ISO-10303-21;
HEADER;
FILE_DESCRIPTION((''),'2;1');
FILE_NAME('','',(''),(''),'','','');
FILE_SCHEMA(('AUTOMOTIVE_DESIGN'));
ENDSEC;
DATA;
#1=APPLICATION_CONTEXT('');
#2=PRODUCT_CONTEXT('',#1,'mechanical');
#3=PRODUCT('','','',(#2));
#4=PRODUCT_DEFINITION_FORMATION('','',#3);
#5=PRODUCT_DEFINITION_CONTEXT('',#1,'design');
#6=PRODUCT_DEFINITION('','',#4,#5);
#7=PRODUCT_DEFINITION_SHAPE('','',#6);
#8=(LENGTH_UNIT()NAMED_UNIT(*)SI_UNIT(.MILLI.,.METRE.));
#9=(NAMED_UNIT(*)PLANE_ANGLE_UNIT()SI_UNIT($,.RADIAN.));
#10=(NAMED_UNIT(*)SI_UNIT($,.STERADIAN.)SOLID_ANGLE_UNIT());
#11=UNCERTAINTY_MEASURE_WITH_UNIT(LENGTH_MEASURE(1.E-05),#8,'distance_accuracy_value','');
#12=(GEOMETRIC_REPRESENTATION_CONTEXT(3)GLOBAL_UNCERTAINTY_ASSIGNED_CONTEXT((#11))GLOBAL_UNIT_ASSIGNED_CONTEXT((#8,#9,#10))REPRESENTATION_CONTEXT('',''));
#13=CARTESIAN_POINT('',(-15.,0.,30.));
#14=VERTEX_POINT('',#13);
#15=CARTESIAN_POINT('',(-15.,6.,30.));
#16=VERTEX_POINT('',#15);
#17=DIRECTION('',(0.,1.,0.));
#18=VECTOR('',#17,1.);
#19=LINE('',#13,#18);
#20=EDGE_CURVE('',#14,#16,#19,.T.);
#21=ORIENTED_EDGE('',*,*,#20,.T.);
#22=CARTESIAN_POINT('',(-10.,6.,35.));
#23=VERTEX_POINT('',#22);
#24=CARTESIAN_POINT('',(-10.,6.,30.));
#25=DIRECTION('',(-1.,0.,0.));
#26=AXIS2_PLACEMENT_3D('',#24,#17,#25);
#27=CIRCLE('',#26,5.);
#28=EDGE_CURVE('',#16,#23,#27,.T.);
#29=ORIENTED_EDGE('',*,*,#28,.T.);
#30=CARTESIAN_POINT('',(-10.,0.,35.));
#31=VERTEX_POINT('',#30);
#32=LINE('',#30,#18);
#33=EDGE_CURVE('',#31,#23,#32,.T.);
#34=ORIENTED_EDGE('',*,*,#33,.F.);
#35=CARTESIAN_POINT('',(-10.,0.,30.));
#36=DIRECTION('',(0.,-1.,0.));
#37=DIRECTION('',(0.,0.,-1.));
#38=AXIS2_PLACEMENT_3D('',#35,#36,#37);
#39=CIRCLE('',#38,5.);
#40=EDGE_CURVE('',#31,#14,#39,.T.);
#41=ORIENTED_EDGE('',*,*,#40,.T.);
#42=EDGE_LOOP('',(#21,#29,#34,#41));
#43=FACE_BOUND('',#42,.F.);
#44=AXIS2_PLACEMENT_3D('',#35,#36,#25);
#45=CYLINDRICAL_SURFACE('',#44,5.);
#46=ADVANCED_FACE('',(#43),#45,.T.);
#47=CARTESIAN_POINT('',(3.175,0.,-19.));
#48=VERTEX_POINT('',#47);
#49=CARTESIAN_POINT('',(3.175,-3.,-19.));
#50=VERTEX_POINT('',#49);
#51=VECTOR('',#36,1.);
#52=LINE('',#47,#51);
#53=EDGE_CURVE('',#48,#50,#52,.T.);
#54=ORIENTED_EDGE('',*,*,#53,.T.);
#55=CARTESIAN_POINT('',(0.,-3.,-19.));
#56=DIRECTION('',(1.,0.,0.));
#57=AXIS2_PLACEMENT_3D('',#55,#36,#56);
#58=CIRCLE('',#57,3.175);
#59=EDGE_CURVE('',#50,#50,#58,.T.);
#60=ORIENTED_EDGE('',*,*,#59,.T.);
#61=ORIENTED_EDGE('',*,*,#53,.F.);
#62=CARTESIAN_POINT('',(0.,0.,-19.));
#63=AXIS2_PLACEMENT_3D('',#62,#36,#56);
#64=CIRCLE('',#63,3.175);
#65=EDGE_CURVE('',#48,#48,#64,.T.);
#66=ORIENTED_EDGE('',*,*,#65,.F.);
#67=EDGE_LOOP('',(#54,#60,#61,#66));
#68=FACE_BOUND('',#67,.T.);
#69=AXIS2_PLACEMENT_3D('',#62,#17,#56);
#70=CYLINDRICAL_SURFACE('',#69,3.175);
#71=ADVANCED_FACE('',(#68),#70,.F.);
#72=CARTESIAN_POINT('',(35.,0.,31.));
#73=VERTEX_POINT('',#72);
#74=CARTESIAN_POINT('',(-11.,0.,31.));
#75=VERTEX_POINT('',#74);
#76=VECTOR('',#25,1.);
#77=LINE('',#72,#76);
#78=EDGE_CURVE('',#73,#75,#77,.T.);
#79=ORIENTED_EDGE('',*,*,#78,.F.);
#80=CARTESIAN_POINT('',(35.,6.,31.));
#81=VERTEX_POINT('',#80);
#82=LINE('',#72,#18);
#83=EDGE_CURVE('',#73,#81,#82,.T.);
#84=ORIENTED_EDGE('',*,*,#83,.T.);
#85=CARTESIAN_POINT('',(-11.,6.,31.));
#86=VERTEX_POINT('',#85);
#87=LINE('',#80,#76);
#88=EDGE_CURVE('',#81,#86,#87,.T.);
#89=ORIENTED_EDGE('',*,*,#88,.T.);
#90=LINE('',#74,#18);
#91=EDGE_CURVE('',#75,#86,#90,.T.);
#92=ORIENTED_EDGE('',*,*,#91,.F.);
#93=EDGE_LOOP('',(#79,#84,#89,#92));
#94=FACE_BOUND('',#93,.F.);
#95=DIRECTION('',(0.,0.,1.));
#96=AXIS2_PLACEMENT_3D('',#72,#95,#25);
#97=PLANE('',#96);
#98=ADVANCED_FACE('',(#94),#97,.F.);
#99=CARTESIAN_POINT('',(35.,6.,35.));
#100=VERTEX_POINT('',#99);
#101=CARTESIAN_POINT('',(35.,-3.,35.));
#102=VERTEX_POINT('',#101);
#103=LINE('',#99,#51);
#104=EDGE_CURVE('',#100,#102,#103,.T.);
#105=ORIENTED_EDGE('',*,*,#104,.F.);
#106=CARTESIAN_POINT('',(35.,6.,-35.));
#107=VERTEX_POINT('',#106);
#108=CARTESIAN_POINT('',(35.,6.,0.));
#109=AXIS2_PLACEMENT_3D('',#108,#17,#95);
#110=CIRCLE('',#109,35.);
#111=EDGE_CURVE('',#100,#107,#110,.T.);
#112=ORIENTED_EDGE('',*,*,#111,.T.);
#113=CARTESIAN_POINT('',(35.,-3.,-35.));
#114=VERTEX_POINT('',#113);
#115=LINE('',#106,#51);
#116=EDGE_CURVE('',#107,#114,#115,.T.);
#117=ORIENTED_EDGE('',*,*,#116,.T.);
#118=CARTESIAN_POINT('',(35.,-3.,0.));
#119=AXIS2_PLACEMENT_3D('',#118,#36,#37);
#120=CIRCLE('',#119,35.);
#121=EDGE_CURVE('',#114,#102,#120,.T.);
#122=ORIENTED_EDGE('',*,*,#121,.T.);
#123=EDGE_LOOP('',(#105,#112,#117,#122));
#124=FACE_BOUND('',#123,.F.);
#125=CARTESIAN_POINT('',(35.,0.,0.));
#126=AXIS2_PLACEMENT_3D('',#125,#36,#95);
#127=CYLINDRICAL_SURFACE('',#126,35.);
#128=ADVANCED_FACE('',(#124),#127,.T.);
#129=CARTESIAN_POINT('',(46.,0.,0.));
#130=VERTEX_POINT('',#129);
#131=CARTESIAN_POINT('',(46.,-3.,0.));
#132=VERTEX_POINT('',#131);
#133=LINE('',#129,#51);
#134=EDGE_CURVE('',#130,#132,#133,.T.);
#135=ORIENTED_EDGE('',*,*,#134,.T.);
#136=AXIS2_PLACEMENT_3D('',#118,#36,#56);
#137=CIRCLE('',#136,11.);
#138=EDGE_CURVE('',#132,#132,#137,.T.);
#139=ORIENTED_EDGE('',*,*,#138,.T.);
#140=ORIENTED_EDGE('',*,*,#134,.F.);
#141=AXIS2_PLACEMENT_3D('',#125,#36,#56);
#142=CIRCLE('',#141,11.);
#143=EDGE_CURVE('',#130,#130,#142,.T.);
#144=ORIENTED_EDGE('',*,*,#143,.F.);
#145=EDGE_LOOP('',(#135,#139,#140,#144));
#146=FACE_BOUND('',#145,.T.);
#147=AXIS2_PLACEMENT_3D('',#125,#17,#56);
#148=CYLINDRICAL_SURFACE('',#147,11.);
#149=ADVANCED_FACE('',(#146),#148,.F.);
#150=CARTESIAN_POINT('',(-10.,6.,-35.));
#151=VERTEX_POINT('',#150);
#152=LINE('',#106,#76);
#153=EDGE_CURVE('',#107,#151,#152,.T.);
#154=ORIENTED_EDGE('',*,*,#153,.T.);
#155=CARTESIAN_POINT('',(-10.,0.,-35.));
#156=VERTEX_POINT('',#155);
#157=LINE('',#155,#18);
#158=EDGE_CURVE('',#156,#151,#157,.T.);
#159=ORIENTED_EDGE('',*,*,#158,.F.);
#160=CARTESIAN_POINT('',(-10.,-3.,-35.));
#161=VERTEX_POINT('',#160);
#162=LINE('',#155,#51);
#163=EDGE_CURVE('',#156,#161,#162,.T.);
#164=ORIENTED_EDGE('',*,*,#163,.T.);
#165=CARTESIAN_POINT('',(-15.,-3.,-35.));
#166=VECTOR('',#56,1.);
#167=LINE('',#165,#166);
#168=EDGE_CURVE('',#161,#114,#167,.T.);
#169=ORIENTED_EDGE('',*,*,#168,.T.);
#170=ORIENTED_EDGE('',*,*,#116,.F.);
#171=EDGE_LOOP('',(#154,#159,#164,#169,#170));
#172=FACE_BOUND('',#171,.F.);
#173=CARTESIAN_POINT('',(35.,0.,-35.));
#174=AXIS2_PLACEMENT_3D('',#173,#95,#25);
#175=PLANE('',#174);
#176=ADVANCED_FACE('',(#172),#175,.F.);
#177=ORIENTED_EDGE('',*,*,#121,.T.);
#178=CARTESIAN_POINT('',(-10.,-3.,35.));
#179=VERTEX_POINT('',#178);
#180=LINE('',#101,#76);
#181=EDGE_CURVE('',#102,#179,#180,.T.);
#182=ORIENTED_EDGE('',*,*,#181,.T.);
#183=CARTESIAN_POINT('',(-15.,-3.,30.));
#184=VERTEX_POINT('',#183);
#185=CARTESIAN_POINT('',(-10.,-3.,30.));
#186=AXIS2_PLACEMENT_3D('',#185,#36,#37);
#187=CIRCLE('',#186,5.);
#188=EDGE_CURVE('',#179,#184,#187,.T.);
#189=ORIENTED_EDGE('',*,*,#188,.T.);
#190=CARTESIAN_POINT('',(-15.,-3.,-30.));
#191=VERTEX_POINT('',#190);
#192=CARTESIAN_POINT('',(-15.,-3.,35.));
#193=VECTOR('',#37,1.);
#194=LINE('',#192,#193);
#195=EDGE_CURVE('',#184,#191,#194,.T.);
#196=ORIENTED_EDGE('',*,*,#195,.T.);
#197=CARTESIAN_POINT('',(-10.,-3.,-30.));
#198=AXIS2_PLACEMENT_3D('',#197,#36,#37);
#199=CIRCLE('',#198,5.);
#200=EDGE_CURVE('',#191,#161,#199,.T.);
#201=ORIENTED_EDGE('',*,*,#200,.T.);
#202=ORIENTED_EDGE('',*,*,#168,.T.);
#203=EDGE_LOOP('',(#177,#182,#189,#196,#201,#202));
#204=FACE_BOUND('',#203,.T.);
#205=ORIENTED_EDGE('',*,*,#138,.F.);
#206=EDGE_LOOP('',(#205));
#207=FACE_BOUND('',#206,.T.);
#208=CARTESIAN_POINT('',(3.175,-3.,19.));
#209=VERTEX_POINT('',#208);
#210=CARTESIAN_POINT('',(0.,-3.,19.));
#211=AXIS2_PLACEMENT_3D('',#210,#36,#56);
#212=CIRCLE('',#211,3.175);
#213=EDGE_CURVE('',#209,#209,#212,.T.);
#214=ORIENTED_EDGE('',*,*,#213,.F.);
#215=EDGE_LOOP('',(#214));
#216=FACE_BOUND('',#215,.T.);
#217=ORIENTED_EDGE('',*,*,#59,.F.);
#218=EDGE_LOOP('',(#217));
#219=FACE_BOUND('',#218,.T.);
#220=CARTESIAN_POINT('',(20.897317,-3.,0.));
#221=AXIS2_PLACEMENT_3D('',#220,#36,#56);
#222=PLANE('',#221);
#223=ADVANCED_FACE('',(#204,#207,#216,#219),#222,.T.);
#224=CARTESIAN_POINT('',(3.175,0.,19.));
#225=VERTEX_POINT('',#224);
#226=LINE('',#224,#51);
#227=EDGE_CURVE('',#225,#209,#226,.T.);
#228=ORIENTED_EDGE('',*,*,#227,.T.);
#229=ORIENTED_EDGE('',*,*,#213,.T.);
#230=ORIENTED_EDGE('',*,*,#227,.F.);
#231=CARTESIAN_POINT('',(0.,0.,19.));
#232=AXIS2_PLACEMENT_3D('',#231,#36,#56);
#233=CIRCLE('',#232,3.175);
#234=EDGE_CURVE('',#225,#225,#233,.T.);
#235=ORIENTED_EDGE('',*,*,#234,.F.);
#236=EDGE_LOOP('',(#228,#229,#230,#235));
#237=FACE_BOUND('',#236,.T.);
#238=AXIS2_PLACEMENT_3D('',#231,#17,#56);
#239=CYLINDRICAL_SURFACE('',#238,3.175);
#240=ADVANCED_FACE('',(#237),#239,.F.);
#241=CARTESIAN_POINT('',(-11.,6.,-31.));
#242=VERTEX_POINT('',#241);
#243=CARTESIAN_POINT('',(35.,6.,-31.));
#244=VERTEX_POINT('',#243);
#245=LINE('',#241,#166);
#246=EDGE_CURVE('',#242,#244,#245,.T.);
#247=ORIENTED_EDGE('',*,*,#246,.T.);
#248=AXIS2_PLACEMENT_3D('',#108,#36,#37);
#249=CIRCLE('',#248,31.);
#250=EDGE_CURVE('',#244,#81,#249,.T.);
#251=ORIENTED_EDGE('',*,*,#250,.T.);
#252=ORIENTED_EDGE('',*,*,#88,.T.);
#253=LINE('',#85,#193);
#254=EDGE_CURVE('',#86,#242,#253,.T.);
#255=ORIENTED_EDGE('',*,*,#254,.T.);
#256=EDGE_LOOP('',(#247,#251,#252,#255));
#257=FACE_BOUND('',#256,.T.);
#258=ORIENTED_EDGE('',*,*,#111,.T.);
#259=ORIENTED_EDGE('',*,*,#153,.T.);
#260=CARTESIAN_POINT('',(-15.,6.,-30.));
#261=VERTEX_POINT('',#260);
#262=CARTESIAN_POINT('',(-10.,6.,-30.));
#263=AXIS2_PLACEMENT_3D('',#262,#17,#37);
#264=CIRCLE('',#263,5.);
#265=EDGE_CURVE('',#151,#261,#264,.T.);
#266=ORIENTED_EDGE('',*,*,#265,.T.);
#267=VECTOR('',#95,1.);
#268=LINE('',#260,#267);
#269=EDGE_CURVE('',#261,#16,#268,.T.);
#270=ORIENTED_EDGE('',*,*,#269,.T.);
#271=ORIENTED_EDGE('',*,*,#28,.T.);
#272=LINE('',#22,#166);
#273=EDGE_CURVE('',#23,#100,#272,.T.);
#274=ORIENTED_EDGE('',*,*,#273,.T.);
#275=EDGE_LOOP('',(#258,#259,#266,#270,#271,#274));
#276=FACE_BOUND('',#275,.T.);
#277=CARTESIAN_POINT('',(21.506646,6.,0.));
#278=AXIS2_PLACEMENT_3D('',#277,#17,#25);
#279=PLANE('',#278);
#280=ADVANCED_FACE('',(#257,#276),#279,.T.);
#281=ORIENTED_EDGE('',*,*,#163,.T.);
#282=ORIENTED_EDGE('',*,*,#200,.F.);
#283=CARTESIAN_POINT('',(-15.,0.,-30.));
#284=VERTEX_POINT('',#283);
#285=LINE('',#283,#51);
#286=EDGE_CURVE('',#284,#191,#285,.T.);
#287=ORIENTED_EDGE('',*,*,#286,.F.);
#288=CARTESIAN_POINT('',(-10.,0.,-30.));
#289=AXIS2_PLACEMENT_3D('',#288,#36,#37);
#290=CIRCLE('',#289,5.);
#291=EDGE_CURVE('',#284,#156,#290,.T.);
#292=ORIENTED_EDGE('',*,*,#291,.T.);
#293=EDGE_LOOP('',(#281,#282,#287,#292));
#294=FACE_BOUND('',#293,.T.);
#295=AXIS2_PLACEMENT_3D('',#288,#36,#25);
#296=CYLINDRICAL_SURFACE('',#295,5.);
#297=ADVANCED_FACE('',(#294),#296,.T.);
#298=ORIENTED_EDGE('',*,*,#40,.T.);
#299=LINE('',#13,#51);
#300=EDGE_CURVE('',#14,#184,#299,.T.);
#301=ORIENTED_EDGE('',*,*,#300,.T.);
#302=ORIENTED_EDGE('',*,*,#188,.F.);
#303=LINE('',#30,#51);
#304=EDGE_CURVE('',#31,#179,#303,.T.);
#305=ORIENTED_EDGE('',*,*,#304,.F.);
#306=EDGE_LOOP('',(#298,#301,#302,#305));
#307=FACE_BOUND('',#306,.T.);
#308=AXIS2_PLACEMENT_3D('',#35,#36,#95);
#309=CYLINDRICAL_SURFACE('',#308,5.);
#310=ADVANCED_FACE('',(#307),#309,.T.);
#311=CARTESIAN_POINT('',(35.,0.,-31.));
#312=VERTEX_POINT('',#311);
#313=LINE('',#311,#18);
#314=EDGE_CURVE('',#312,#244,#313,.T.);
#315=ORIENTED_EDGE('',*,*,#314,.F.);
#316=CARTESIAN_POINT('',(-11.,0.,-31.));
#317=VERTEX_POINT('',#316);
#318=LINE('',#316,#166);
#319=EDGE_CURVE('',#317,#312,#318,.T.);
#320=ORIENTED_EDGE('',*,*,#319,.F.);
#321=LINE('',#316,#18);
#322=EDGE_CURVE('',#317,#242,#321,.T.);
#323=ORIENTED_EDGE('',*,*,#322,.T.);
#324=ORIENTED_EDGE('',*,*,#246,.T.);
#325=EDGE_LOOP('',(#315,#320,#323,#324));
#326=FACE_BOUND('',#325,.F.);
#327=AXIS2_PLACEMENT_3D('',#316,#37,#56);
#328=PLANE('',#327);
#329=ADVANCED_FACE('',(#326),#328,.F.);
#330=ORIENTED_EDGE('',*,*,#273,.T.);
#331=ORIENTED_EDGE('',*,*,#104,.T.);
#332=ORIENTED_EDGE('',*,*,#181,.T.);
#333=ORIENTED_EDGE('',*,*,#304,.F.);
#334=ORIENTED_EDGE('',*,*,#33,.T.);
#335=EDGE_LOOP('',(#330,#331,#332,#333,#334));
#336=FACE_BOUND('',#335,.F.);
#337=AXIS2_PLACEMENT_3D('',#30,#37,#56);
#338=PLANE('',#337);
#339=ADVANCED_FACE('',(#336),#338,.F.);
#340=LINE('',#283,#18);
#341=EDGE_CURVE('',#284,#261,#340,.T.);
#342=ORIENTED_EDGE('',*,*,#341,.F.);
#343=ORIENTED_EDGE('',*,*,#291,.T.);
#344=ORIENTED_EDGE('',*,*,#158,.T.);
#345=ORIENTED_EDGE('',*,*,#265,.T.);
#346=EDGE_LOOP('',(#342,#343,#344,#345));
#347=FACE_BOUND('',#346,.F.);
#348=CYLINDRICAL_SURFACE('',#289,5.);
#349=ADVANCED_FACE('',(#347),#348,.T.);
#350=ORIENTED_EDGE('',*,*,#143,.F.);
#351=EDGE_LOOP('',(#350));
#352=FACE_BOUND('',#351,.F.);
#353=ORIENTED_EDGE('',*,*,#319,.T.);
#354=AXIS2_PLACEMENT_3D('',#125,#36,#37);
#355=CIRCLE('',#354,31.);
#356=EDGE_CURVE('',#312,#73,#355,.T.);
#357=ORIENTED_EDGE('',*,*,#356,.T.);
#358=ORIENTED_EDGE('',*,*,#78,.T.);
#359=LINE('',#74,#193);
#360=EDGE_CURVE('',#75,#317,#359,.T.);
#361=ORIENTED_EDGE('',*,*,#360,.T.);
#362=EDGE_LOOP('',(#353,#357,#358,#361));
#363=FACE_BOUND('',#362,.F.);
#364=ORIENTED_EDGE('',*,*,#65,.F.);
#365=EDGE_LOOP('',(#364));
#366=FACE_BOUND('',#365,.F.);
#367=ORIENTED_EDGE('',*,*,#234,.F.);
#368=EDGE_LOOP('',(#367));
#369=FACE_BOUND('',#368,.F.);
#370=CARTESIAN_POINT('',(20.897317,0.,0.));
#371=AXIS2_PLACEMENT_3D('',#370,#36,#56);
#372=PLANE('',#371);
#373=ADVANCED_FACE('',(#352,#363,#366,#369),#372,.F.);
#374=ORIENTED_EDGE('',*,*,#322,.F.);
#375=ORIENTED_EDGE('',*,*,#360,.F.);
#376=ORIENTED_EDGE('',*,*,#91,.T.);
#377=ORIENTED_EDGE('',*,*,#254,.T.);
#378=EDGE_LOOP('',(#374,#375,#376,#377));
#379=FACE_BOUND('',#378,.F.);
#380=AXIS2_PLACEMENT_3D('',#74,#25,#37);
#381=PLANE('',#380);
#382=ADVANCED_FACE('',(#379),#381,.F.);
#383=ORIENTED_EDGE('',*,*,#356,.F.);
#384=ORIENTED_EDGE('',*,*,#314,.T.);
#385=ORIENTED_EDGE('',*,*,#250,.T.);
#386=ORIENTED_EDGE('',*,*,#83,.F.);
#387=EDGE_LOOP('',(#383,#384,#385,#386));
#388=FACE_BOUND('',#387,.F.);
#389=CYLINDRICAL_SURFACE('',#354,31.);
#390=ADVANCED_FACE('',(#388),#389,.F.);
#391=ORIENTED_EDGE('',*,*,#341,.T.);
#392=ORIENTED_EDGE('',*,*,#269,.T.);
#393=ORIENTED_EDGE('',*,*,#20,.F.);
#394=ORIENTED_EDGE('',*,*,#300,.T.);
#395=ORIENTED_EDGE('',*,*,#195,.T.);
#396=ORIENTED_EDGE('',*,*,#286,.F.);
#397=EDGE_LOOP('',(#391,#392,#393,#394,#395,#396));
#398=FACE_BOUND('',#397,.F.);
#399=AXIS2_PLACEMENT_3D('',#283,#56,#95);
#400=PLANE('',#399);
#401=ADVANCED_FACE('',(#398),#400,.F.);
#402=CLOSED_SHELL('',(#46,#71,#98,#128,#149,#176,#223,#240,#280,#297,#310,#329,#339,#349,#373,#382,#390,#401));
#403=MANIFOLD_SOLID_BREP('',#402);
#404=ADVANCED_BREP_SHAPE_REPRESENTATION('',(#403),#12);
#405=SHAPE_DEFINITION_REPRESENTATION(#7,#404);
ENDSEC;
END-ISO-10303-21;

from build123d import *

# Parameters (mm, degrees)
F0_R     = 3.175
F0_R_2   = 11
F1_DEPTH = 3
F3_R     = 5
F5_DEPTH = 6


with BuildPart() as f1:
    # F0 (on Front) → F1 (new body)
    with BuildSketch(Plane.XZ):
        with BuildLine():
            Line((35, 35), (-15, 35))
            Line((-15, 35), (-15, -35))
            Line((-15, -35), (35, -35))
            ThreePointArc((35, -35), (70, 0), (35, 35))
        make_face()
        with Locations((0, -19)):
            Circle(F0_R, mode=Mode.SUBTRACT)
        with Locations((0, 19)):
            Circle(F0_R, mode=Mode.SUBTRACT)
        with Locations((35, 0)):
            Circle(F0_R_2, mode=Mode.SUBTRACT)
    extrude(amount=F1_DEPTH)

    # F2: F1 across plane


with BuildPart() as f1_1:
    add(f1.part)
    add(f1.part.mirror(Plane.XY))

    # F3
    f3_edges = [f1_1.edges().sort_by_distance(p)[0] for p in [
        (-15, -1.5, -35),
        (-15, -1.5, 35),
    ]]
    fillet(f3_edges, radius=F3_R)

    # F4 (on face) → F5 (join)
    with BuildSketch(Plane(origin=(0, 0, 0), x_dir=(-1, 0, 0), z_dir=(0, 1, 0))):
        with BuildLine():
            Line((-35, -35), (10, -35))
            ThreePointArc((10, -35), (13.5355339059, -33.5355339059), (15, -30))
            Line((15, -30), (15, 30))
            ThreePointArc((15, 30), (13.5355339059, 33.5355339059), (10, 35))
            Line((10, 35), (-35, 35))
            ThreePointArc((-35, 35), (-70, 0), (-35, -35))
        make_face()
        with BuildLine():
            Line((-35, 31), (11, 31))
            Line((11, 31), (11, -31))
            Line((11, -31), (-35, -31))
            ThreePointArc((-35, -31), (-66, 0), (-35, 31))
        make_face(mode=Mode.SUBTRACT)
    extrude(amount=F5_DEPTH)


solid = f1_1.part
